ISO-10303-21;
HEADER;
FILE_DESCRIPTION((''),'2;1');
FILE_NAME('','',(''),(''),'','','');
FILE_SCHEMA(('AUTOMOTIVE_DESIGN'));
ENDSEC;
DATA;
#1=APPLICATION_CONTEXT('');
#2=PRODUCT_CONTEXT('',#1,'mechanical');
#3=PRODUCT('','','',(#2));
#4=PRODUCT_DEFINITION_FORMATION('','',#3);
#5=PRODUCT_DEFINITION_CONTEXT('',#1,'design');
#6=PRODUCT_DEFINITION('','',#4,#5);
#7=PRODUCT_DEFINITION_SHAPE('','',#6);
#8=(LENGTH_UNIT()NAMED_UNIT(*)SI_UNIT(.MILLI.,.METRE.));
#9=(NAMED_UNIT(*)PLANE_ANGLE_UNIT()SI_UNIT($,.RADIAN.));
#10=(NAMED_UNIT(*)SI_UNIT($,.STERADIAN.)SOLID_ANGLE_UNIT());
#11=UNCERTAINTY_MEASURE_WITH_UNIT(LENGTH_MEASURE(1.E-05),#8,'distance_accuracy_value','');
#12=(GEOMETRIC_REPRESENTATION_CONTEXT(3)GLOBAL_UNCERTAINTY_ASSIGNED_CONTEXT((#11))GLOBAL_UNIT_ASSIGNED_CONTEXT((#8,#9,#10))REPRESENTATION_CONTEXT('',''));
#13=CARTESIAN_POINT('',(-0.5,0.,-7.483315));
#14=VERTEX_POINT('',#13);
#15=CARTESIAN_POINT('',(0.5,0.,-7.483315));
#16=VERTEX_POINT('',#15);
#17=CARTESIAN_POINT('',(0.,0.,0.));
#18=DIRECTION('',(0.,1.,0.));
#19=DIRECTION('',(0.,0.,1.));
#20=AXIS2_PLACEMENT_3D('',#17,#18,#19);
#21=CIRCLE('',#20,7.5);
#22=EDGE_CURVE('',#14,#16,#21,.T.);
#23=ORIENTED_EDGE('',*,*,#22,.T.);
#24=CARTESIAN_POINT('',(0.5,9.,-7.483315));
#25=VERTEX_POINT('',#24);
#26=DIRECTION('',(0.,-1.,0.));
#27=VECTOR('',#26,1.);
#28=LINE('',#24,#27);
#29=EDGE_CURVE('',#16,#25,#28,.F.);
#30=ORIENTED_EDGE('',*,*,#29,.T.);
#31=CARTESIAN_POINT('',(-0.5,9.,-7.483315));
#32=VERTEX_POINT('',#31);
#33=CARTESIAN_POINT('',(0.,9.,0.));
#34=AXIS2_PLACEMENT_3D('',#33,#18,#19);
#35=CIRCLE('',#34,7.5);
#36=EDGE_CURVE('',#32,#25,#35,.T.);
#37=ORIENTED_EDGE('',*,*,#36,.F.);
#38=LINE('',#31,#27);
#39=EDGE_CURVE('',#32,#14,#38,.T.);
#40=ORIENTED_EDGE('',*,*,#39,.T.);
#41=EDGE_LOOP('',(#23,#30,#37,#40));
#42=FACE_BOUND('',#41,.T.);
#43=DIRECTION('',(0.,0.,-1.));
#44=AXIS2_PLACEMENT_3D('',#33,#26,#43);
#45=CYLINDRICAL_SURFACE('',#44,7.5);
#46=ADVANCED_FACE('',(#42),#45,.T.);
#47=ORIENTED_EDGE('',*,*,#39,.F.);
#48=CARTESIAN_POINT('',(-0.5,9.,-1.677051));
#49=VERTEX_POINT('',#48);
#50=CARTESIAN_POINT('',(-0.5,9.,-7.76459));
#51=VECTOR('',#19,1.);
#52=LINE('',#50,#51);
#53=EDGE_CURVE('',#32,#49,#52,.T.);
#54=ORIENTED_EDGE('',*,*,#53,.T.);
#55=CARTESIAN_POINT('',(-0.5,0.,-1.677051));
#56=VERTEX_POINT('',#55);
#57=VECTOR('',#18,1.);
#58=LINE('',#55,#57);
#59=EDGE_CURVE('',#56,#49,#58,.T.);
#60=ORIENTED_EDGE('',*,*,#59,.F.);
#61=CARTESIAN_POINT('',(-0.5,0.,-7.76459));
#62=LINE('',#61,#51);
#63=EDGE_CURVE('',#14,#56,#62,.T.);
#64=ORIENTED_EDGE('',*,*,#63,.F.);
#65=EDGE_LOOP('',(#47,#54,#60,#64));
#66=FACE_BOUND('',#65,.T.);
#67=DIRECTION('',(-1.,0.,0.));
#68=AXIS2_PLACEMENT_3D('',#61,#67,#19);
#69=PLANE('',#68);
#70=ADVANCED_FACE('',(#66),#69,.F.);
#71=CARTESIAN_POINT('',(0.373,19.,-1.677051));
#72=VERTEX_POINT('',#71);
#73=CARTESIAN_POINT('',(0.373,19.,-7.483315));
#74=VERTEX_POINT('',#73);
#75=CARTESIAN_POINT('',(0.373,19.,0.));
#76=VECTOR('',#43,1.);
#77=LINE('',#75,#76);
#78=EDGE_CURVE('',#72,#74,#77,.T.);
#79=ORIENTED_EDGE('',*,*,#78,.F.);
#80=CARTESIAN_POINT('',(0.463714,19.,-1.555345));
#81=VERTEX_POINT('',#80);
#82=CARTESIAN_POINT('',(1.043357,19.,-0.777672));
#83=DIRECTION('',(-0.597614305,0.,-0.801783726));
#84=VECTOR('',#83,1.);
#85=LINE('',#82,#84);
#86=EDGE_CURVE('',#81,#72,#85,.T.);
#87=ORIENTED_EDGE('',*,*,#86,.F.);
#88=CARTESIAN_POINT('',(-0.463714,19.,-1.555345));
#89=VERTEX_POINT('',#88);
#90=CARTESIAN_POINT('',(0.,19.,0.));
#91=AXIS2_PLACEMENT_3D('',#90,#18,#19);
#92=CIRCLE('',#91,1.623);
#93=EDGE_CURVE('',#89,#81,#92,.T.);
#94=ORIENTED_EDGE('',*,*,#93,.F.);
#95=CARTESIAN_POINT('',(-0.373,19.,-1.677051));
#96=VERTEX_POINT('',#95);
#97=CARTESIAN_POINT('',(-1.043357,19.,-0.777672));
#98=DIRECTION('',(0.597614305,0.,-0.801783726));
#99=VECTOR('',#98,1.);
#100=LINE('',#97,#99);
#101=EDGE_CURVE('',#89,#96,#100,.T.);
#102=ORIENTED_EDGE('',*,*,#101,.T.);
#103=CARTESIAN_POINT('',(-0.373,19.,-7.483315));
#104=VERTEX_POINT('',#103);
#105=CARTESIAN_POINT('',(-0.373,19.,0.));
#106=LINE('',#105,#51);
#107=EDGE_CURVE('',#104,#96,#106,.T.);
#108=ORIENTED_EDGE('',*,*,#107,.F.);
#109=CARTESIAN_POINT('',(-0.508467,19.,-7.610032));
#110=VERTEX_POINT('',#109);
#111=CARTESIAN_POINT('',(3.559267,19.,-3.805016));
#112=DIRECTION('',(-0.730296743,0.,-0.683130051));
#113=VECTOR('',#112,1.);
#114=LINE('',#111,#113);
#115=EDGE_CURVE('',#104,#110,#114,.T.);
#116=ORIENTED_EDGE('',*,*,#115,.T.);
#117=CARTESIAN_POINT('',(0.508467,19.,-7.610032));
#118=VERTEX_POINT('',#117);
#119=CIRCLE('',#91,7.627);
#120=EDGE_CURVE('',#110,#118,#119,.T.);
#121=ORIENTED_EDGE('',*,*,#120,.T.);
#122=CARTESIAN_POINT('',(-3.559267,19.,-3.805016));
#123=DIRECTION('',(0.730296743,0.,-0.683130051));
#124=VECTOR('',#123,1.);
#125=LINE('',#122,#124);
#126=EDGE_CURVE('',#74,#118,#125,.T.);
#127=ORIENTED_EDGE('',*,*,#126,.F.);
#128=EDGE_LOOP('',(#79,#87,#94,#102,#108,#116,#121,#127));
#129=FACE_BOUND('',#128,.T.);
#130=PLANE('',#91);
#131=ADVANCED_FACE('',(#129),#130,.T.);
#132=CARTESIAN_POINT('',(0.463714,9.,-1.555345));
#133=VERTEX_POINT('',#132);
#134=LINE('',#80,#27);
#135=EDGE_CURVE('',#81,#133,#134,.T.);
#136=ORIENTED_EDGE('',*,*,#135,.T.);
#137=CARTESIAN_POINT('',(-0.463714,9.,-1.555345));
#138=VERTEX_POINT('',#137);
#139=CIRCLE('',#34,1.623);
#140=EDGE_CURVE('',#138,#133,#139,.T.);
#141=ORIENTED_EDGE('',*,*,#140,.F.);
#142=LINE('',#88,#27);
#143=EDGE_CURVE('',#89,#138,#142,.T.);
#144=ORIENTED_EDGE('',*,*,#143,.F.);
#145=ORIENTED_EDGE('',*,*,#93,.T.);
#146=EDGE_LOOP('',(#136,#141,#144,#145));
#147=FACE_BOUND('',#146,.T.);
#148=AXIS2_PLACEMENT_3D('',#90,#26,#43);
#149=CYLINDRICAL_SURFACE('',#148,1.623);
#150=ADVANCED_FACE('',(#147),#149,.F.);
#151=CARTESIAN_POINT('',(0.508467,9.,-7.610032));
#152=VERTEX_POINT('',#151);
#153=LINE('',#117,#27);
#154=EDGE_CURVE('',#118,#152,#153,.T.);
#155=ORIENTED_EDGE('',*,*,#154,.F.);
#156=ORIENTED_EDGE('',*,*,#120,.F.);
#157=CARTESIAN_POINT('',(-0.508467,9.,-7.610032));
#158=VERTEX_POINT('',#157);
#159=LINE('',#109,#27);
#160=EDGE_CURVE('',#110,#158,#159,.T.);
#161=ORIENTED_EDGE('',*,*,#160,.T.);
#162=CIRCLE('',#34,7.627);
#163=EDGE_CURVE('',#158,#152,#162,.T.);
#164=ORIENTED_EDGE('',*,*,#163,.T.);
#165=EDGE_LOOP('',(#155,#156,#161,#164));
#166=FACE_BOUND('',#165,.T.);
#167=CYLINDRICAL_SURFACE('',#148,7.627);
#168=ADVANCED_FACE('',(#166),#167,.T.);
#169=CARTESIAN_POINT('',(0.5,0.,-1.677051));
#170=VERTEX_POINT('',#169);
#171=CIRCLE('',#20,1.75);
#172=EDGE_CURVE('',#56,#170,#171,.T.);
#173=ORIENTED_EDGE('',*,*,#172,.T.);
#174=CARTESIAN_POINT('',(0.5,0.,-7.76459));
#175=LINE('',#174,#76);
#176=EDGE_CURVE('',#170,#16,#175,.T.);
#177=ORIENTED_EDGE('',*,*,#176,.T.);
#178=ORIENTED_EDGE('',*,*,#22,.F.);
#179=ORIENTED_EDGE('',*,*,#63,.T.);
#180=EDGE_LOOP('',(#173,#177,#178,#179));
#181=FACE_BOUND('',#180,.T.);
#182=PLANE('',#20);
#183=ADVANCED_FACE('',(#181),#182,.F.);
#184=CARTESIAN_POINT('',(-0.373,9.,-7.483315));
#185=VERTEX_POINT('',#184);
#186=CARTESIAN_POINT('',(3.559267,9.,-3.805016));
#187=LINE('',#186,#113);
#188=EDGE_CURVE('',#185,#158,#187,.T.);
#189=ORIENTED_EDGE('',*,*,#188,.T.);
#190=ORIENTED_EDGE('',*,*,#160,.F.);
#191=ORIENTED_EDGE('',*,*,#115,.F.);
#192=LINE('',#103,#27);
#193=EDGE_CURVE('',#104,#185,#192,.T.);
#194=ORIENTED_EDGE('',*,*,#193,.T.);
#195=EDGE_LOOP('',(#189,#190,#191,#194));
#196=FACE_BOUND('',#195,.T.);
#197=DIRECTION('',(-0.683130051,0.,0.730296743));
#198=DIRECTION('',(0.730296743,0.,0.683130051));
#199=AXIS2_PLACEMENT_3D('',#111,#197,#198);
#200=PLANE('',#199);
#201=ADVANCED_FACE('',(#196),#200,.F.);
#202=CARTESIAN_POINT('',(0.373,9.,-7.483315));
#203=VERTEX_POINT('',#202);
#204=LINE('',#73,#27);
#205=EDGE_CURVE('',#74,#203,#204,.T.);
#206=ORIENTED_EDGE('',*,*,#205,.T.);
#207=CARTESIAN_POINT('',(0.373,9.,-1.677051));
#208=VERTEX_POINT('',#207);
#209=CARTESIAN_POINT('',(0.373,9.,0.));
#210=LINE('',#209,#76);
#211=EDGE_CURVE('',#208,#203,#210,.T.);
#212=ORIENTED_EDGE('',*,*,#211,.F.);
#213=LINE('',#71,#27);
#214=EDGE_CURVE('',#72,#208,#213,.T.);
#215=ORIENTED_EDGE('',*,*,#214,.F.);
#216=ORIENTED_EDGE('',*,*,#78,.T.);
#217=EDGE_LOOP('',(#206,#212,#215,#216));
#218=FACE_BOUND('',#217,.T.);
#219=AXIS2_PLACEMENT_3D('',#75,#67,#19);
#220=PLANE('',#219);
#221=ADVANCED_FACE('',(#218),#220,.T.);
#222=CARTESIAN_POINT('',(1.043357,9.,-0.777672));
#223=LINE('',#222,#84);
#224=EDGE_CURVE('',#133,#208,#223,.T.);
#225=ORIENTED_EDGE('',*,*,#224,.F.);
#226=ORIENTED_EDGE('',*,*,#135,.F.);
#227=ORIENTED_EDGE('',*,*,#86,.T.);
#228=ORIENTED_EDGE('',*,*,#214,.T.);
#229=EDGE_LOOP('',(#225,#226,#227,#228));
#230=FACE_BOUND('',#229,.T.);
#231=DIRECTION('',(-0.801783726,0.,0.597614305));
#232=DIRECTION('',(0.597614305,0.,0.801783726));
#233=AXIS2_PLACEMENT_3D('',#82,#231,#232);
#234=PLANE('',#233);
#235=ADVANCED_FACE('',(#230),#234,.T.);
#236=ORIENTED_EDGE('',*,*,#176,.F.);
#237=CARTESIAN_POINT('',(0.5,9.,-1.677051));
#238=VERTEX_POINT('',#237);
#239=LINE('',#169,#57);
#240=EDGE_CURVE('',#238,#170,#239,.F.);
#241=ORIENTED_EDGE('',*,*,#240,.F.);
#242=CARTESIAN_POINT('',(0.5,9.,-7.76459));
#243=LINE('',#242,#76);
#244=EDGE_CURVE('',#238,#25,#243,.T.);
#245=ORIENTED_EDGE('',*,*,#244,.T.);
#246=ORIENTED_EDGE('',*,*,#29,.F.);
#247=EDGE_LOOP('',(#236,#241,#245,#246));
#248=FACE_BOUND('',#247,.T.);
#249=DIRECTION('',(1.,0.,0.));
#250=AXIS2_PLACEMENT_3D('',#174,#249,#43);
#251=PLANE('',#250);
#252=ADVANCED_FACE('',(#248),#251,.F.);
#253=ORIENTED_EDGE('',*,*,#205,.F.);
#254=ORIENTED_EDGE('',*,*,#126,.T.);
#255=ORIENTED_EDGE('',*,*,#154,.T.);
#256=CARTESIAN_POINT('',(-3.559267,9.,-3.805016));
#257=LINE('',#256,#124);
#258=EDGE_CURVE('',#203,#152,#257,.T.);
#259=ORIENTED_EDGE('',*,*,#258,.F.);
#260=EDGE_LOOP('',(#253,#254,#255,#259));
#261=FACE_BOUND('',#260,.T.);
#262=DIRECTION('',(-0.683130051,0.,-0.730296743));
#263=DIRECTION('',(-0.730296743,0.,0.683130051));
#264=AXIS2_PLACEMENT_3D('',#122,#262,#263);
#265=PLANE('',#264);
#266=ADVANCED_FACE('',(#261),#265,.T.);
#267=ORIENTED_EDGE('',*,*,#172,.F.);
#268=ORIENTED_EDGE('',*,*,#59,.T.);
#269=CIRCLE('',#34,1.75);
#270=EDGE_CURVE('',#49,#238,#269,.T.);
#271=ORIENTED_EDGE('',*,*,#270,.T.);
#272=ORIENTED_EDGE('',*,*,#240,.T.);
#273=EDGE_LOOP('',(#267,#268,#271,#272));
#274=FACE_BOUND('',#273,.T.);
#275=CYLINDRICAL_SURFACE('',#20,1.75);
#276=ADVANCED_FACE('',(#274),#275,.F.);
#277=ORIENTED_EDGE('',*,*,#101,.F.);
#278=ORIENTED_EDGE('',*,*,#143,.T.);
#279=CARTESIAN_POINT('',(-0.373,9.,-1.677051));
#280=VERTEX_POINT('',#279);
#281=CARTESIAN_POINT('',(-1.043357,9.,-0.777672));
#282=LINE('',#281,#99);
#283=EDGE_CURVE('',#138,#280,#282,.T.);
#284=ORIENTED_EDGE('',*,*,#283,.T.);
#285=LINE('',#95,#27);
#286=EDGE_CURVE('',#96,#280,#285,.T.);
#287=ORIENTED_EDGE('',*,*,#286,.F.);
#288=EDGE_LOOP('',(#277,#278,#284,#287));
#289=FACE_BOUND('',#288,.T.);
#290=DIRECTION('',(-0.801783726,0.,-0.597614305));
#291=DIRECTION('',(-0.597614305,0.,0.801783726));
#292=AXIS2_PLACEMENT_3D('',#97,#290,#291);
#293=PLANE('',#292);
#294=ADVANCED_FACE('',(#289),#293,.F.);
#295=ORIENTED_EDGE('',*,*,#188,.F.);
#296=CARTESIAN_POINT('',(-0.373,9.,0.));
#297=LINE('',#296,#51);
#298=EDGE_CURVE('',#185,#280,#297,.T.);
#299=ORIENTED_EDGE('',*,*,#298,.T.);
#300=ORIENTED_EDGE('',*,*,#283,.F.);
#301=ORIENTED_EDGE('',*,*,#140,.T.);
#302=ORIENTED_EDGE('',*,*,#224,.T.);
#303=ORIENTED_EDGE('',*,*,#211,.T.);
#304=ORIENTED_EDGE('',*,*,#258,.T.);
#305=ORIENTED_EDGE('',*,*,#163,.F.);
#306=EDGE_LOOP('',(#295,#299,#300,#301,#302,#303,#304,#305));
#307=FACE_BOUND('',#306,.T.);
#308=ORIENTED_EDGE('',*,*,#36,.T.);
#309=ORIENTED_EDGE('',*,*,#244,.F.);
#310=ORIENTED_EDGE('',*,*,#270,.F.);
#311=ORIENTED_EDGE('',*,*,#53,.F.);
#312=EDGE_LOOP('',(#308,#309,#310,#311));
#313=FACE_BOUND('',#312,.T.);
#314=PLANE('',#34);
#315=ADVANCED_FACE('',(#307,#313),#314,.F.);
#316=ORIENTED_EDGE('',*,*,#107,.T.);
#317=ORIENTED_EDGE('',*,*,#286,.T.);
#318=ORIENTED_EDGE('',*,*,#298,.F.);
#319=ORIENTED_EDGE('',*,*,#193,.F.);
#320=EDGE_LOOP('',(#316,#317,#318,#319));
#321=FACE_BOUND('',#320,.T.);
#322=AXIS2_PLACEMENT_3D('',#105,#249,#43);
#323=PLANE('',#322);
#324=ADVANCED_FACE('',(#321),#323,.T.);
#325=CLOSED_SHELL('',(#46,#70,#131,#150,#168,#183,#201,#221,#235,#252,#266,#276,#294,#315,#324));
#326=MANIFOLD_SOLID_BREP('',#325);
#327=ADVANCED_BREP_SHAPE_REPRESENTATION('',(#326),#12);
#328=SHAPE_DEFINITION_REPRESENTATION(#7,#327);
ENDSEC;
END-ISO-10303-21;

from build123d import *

# Parameters (mm, degrees)
SKETCH1_R           = 7.5
BOSS_EXTRUDE1_DEPTH = 9
SKETCH2_R           = 1.75
CUT_EXTRUDE1_DEPTH  = 14.910427743
SKETCH4_W           = 1
SKETCH4_H           = 6.379821958
CUT_EXTRUDE2_DEPTH  = 9
BOSS_EXTRUDE2_DEPTH = 10


with BuildPart() as part:
    # Sketch1 → Boss-Extrude1 (new body)
    with BuildSketch(Plane(origin=(0, 0, 0), x_dir=(1, 0, 0), z_dir=(0, 1, 0))):
        Circle(SKETCH1_R)
    extrude(amount=BOSS_EXTRUDE1_DEPTH)

    # Sketch2 → Cut-Extrude1 (cut, through all)
    with BuildSketch(Plane(origin=(0, 9, 0), x_dir=(1, 0, 0), z_dir=(0, 1, 0))):
        Circle(SKETCH2_R)
    extrude(amount=-CUT_EXTRUDE1_DEPTH, mode=Mode.SUBTRACT)

    # Sketch4 → Cut-Extrude2 (cut)
    with BuildSketch(Plane(origin=(0, 9, 0), x_dir=(1, 0, 0), z_dir=(0, 1, 0))):
        with Locations((0, 4.574678536)):
            Rectangle(SKETCH4_W, SKETCH4_H)
    extrude(amount=-CUT_EXTRUDE2_DEPTH, mode=Mode.SUBTRACT)

    # Sketch5 → Boss-Extrude2 (add)
    with BuildSketch(Plane(origin=(0, 9, 0), x_dir=(1, 0, 0), z_dir=(0, 1, 0))):
        with BuildLine():
            Line((0.373, 7.483314774), (0.373, 1.677050983))
            Line((0.373, 1.677050983), (0.463714286, 1.555344997))
            ThreePointArc((0.463714286, 1.555344997), (0, -1.623), (-0.463714286, 1.555344997))
            Line((-0.463714286, 1.555344997), (-0.373, 1.677050983))
            Line((-0.373, 1.677050983), (-0.373, 7.483314774))
            Line((-0.373, 7.483314774), (-0.508466667, 7.610032237))
            ThreePointArc((-0.508466667, 7.610032237), (0, -7.627), (0.508466667, 7.610032237))
            Line((0.508466667, 7.610032237), (0.373, 7.483314774))
        make_face()
    extrude(amount=BOSS_EXTRUDE2_DEPTH)


solid = part.part
